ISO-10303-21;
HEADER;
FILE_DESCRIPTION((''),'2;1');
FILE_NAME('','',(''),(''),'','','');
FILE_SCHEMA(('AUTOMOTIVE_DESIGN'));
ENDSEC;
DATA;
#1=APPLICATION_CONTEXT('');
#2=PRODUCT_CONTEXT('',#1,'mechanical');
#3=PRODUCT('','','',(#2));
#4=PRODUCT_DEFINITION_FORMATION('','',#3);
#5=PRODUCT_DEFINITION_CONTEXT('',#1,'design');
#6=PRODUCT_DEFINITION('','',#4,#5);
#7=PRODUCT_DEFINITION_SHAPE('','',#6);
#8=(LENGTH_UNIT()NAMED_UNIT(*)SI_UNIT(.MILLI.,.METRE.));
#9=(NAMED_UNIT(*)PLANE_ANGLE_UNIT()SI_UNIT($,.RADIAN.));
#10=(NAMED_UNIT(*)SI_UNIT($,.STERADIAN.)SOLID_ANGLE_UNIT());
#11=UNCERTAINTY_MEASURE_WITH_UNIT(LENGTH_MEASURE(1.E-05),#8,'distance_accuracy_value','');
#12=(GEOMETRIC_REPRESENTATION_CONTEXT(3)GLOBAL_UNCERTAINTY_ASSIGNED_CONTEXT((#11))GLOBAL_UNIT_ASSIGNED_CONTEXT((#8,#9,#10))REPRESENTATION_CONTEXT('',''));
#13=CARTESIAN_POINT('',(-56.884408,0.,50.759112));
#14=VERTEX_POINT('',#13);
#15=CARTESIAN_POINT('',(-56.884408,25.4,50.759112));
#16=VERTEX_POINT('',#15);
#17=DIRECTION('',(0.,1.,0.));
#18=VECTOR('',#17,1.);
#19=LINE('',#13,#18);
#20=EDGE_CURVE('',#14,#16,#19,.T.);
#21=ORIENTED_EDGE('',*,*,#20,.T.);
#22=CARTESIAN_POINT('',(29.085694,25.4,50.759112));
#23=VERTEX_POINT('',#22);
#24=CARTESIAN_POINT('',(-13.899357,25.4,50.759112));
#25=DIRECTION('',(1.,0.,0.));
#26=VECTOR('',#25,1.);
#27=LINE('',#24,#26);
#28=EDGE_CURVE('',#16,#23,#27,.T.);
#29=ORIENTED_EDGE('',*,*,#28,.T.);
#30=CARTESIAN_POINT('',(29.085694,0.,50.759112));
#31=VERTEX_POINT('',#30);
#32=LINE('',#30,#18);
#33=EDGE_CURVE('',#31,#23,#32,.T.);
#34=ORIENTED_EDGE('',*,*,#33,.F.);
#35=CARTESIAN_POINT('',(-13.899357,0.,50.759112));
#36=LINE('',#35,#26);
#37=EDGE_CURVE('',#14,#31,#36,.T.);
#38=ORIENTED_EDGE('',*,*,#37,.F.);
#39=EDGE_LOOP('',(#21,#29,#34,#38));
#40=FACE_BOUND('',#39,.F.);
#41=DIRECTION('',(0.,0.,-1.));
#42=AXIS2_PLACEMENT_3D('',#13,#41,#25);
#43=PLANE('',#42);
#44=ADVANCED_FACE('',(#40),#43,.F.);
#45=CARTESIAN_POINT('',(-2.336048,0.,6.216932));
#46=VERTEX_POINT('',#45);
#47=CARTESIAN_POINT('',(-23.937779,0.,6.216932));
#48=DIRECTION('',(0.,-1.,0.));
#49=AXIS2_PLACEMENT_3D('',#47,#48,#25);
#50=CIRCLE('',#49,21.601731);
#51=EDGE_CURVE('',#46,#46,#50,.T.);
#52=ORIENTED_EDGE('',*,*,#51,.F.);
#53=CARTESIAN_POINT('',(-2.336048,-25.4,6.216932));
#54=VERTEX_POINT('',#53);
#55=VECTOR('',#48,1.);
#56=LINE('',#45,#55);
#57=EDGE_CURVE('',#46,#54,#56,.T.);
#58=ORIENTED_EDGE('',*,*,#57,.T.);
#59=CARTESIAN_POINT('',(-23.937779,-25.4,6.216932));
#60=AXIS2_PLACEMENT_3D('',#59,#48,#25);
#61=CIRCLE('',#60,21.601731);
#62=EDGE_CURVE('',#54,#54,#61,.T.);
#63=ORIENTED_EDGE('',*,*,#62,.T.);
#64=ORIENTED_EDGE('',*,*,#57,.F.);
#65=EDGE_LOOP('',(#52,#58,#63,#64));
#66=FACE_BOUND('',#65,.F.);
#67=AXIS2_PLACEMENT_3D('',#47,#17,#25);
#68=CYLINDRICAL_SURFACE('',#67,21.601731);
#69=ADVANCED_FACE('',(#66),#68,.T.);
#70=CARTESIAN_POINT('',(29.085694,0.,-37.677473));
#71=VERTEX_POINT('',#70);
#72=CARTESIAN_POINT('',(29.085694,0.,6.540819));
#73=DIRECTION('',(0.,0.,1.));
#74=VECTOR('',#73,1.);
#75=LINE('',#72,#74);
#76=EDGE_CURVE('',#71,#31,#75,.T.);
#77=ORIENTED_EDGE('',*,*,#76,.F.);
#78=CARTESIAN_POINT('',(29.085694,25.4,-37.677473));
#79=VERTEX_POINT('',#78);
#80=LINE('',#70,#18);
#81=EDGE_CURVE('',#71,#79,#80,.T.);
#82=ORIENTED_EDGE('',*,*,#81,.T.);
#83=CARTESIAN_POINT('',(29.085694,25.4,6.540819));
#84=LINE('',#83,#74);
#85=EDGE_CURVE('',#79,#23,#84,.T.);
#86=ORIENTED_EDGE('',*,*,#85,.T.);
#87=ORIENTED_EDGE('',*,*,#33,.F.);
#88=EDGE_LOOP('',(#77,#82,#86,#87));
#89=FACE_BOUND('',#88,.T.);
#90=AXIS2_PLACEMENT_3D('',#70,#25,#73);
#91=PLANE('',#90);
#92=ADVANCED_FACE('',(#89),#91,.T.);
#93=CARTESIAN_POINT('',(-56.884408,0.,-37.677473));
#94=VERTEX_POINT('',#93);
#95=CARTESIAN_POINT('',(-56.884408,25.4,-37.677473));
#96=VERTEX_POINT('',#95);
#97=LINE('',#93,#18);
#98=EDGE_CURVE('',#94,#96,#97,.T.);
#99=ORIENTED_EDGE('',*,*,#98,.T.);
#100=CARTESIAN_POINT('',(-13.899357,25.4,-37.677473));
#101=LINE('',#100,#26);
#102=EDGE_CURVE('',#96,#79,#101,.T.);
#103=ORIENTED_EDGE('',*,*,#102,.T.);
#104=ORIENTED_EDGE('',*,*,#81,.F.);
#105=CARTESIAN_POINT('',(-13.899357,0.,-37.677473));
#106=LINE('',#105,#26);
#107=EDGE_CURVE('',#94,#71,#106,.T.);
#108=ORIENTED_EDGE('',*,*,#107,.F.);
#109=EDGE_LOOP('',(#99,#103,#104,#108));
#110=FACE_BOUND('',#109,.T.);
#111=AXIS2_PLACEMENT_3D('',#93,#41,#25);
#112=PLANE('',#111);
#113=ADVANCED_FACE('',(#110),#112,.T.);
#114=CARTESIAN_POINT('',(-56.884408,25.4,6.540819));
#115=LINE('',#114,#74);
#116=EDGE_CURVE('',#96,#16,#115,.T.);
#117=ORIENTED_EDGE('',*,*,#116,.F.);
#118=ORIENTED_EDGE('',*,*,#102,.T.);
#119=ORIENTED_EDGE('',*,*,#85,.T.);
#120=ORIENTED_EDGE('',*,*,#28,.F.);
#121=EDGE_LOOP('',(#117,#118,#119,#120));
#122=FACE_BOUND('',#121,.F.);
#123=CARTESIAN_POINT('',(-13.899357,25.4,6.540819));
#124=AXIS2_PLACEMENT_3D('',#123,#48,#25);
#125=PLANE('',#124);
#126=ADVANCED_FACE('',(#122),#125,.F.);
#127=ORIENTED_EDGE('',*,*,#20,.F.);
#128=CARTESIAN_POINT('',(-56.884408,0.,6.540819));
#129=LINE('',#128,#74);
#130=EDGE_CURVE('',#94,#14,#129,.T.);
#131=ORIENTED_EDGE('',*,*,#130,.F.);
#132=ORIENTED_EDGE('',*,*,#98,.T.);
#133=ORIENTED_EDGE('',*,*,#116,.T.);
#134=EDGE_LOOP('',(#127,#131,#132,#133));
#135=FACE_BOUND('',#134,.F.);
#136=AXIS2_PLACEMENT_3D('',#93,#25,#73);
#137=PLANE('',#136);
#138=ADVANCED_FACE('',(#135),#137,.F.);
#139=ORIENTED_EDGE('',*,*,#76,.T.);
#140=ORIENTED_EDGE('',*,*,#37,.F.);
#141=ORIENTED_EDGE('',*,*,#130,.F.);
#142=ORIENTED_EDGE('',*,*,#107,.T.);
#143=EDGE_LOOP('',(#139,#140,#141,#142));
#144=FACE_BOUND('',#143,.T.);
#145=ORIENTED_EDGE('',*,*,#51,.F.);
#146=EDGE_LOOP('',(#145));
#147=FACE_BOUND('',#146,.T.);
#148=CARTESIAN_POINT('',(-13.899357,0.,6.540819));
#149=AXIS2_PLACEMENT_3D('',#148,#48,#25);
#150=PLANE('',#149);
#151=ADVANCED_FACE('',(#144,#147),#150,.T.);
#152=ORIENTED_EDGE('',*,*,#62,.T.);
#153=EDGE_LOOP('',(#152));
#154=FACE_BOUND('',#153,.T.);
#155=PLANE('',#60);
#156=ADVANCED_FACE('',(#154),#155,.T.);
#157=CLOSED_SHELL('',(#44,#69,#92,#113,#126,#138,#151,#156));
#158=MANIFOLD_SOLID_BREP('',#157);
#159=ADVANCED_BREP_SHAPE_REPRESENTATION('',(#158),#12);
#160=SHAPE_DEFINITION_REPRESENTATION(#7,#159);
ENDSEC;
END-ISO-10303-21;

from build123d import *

# Parameters (mm, degrees)
F0_W     = 85.970102
F0_H     = 88.436585
F1_DEPTH = 25.4
F2_R     = 21.601731
F3_DEPTH = 25.4


with BuildPart() as f1:
    # F0 (on Front) → F1 (new body)
    with BuildSketch(Plane.XZ):
        with Locations((-13.899357, 6.540819)):
            Rectangle(F0_W, F0_H)
    extrude(amount=-F1_DEPTH)

    # F2 (on face) → F3 (join)
    with BuildSketch(Plane.XZ):
        with Locations((-23.937779, 6.216932)):
            Circle(F2_R)
    extrude(amount=F3_DEPTH)


solid = f1.part
